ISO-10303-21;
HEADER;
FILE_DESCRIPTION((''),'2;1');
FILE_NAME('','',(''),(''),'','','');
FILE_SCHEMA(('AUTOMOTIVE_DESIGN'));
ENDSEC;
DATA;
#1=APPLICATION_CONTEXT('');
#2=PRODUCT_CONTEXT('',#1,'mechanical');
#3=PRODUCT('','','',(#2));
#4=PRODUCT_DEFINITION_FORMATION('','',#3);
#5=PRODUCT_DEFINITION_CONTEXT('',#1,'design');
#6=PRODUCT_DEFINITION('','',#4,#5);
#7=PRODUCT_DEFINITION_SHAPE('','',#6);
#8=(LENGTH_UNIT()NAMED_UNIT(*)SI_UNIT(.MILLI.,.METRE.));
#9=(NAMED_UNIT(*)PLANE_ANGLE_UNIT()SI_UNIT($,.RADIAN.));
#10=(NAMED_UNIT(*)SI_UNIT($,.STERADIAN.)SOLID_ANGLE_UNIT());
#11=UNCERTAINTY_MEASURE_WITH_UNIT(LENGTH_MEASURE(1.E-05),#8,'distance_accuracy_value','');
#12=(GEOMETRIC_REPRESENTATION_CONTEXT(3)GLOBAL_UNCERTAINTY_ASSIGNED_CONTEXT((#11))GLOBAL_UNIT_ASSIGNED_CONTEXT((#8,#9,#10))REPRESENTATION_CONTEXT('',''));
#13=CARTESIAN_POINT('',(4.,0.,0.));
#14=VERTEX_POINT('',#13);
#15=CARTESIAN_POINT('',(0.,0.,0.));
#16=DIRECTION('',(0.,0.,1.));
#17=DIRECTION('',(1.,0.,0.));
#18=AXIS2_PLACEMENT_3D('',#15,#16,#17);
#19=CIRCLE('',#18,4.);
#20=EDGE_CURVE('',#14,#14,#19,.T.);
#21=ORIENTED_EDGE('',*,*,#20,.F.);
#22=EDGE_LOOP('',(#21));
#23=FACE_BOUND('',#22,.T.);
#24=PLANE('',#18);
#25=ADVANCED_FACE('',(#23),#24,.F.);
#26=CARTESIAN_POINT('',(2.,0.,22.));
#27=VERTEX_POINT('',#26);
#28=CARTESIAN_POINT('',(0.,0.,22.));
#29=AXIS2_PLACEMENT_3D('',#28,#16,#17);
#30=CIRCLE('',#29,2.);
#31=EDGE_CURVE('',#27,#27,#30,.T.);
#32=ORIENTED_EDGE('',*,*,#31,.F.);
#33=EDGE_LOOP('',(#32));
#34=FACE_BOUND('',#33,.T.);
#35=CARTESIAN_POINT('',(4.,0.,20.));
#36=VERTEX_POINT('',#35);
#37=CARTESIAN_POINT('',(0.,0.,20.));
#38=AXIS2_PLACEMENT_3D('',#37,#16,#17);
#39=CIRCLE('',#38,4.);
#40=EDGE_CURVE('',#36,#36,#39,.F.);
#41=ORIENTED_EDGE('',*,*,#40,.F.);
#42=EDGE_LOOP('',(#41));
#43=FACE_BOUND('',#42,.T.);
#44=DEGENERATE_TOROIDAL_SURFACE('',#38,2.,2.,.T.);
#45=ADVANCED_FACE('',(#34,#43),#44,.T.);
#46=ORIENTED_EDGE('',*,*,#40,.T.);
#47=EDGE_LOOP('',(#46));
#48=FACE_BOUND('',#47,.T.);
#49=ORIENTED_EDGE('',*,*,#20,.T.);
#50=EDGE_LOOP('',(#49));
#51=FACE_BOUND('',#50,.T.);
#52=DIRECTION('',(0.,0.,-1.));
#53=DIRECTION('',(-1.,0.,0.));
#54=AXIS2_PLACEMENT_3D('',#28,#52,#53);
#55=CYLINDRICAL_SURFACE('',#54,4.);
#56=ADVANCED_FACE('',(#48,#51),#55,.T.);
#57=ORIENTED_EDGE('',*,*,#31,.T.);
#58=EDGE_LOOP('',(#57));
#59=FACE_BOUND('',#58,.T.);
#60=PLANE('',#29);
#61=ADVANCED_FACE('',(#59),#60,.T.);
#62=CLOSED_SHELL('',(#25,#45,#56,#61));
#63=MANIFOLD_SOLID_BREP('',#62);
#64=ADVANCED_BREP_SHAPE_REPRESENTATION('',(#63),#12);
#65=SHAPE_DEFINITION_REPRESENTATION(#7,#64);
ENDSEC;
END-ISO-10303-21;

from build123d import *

# Parameters (mm, degrees)
SKIZZE1_R                       = 4
AUFSATZ_LINEAR_AUSTRAGEN1_DEPTH = 22
VERRUNDUNG1_R                   = 2


with BuildPart() as part:
    # Skizze1 → Aufsatz-Linear austragen1 (new body)
    with BuildSketch(Plane.XY):
        Circle(SKIZZE1_R)
    extrude(amount=AUFSATZ_LINEAR_AUSTRAGEN1_DEPTH)

    # Verrundung1
    verrundung1_edges = [part.edges().sort_by_distance(p)[0] for p in [
        (-4, 0, 22),
    ]]
    fillet(verrundung1_edges, radius=VERRUNDUNG1_R)


solid = part.part
